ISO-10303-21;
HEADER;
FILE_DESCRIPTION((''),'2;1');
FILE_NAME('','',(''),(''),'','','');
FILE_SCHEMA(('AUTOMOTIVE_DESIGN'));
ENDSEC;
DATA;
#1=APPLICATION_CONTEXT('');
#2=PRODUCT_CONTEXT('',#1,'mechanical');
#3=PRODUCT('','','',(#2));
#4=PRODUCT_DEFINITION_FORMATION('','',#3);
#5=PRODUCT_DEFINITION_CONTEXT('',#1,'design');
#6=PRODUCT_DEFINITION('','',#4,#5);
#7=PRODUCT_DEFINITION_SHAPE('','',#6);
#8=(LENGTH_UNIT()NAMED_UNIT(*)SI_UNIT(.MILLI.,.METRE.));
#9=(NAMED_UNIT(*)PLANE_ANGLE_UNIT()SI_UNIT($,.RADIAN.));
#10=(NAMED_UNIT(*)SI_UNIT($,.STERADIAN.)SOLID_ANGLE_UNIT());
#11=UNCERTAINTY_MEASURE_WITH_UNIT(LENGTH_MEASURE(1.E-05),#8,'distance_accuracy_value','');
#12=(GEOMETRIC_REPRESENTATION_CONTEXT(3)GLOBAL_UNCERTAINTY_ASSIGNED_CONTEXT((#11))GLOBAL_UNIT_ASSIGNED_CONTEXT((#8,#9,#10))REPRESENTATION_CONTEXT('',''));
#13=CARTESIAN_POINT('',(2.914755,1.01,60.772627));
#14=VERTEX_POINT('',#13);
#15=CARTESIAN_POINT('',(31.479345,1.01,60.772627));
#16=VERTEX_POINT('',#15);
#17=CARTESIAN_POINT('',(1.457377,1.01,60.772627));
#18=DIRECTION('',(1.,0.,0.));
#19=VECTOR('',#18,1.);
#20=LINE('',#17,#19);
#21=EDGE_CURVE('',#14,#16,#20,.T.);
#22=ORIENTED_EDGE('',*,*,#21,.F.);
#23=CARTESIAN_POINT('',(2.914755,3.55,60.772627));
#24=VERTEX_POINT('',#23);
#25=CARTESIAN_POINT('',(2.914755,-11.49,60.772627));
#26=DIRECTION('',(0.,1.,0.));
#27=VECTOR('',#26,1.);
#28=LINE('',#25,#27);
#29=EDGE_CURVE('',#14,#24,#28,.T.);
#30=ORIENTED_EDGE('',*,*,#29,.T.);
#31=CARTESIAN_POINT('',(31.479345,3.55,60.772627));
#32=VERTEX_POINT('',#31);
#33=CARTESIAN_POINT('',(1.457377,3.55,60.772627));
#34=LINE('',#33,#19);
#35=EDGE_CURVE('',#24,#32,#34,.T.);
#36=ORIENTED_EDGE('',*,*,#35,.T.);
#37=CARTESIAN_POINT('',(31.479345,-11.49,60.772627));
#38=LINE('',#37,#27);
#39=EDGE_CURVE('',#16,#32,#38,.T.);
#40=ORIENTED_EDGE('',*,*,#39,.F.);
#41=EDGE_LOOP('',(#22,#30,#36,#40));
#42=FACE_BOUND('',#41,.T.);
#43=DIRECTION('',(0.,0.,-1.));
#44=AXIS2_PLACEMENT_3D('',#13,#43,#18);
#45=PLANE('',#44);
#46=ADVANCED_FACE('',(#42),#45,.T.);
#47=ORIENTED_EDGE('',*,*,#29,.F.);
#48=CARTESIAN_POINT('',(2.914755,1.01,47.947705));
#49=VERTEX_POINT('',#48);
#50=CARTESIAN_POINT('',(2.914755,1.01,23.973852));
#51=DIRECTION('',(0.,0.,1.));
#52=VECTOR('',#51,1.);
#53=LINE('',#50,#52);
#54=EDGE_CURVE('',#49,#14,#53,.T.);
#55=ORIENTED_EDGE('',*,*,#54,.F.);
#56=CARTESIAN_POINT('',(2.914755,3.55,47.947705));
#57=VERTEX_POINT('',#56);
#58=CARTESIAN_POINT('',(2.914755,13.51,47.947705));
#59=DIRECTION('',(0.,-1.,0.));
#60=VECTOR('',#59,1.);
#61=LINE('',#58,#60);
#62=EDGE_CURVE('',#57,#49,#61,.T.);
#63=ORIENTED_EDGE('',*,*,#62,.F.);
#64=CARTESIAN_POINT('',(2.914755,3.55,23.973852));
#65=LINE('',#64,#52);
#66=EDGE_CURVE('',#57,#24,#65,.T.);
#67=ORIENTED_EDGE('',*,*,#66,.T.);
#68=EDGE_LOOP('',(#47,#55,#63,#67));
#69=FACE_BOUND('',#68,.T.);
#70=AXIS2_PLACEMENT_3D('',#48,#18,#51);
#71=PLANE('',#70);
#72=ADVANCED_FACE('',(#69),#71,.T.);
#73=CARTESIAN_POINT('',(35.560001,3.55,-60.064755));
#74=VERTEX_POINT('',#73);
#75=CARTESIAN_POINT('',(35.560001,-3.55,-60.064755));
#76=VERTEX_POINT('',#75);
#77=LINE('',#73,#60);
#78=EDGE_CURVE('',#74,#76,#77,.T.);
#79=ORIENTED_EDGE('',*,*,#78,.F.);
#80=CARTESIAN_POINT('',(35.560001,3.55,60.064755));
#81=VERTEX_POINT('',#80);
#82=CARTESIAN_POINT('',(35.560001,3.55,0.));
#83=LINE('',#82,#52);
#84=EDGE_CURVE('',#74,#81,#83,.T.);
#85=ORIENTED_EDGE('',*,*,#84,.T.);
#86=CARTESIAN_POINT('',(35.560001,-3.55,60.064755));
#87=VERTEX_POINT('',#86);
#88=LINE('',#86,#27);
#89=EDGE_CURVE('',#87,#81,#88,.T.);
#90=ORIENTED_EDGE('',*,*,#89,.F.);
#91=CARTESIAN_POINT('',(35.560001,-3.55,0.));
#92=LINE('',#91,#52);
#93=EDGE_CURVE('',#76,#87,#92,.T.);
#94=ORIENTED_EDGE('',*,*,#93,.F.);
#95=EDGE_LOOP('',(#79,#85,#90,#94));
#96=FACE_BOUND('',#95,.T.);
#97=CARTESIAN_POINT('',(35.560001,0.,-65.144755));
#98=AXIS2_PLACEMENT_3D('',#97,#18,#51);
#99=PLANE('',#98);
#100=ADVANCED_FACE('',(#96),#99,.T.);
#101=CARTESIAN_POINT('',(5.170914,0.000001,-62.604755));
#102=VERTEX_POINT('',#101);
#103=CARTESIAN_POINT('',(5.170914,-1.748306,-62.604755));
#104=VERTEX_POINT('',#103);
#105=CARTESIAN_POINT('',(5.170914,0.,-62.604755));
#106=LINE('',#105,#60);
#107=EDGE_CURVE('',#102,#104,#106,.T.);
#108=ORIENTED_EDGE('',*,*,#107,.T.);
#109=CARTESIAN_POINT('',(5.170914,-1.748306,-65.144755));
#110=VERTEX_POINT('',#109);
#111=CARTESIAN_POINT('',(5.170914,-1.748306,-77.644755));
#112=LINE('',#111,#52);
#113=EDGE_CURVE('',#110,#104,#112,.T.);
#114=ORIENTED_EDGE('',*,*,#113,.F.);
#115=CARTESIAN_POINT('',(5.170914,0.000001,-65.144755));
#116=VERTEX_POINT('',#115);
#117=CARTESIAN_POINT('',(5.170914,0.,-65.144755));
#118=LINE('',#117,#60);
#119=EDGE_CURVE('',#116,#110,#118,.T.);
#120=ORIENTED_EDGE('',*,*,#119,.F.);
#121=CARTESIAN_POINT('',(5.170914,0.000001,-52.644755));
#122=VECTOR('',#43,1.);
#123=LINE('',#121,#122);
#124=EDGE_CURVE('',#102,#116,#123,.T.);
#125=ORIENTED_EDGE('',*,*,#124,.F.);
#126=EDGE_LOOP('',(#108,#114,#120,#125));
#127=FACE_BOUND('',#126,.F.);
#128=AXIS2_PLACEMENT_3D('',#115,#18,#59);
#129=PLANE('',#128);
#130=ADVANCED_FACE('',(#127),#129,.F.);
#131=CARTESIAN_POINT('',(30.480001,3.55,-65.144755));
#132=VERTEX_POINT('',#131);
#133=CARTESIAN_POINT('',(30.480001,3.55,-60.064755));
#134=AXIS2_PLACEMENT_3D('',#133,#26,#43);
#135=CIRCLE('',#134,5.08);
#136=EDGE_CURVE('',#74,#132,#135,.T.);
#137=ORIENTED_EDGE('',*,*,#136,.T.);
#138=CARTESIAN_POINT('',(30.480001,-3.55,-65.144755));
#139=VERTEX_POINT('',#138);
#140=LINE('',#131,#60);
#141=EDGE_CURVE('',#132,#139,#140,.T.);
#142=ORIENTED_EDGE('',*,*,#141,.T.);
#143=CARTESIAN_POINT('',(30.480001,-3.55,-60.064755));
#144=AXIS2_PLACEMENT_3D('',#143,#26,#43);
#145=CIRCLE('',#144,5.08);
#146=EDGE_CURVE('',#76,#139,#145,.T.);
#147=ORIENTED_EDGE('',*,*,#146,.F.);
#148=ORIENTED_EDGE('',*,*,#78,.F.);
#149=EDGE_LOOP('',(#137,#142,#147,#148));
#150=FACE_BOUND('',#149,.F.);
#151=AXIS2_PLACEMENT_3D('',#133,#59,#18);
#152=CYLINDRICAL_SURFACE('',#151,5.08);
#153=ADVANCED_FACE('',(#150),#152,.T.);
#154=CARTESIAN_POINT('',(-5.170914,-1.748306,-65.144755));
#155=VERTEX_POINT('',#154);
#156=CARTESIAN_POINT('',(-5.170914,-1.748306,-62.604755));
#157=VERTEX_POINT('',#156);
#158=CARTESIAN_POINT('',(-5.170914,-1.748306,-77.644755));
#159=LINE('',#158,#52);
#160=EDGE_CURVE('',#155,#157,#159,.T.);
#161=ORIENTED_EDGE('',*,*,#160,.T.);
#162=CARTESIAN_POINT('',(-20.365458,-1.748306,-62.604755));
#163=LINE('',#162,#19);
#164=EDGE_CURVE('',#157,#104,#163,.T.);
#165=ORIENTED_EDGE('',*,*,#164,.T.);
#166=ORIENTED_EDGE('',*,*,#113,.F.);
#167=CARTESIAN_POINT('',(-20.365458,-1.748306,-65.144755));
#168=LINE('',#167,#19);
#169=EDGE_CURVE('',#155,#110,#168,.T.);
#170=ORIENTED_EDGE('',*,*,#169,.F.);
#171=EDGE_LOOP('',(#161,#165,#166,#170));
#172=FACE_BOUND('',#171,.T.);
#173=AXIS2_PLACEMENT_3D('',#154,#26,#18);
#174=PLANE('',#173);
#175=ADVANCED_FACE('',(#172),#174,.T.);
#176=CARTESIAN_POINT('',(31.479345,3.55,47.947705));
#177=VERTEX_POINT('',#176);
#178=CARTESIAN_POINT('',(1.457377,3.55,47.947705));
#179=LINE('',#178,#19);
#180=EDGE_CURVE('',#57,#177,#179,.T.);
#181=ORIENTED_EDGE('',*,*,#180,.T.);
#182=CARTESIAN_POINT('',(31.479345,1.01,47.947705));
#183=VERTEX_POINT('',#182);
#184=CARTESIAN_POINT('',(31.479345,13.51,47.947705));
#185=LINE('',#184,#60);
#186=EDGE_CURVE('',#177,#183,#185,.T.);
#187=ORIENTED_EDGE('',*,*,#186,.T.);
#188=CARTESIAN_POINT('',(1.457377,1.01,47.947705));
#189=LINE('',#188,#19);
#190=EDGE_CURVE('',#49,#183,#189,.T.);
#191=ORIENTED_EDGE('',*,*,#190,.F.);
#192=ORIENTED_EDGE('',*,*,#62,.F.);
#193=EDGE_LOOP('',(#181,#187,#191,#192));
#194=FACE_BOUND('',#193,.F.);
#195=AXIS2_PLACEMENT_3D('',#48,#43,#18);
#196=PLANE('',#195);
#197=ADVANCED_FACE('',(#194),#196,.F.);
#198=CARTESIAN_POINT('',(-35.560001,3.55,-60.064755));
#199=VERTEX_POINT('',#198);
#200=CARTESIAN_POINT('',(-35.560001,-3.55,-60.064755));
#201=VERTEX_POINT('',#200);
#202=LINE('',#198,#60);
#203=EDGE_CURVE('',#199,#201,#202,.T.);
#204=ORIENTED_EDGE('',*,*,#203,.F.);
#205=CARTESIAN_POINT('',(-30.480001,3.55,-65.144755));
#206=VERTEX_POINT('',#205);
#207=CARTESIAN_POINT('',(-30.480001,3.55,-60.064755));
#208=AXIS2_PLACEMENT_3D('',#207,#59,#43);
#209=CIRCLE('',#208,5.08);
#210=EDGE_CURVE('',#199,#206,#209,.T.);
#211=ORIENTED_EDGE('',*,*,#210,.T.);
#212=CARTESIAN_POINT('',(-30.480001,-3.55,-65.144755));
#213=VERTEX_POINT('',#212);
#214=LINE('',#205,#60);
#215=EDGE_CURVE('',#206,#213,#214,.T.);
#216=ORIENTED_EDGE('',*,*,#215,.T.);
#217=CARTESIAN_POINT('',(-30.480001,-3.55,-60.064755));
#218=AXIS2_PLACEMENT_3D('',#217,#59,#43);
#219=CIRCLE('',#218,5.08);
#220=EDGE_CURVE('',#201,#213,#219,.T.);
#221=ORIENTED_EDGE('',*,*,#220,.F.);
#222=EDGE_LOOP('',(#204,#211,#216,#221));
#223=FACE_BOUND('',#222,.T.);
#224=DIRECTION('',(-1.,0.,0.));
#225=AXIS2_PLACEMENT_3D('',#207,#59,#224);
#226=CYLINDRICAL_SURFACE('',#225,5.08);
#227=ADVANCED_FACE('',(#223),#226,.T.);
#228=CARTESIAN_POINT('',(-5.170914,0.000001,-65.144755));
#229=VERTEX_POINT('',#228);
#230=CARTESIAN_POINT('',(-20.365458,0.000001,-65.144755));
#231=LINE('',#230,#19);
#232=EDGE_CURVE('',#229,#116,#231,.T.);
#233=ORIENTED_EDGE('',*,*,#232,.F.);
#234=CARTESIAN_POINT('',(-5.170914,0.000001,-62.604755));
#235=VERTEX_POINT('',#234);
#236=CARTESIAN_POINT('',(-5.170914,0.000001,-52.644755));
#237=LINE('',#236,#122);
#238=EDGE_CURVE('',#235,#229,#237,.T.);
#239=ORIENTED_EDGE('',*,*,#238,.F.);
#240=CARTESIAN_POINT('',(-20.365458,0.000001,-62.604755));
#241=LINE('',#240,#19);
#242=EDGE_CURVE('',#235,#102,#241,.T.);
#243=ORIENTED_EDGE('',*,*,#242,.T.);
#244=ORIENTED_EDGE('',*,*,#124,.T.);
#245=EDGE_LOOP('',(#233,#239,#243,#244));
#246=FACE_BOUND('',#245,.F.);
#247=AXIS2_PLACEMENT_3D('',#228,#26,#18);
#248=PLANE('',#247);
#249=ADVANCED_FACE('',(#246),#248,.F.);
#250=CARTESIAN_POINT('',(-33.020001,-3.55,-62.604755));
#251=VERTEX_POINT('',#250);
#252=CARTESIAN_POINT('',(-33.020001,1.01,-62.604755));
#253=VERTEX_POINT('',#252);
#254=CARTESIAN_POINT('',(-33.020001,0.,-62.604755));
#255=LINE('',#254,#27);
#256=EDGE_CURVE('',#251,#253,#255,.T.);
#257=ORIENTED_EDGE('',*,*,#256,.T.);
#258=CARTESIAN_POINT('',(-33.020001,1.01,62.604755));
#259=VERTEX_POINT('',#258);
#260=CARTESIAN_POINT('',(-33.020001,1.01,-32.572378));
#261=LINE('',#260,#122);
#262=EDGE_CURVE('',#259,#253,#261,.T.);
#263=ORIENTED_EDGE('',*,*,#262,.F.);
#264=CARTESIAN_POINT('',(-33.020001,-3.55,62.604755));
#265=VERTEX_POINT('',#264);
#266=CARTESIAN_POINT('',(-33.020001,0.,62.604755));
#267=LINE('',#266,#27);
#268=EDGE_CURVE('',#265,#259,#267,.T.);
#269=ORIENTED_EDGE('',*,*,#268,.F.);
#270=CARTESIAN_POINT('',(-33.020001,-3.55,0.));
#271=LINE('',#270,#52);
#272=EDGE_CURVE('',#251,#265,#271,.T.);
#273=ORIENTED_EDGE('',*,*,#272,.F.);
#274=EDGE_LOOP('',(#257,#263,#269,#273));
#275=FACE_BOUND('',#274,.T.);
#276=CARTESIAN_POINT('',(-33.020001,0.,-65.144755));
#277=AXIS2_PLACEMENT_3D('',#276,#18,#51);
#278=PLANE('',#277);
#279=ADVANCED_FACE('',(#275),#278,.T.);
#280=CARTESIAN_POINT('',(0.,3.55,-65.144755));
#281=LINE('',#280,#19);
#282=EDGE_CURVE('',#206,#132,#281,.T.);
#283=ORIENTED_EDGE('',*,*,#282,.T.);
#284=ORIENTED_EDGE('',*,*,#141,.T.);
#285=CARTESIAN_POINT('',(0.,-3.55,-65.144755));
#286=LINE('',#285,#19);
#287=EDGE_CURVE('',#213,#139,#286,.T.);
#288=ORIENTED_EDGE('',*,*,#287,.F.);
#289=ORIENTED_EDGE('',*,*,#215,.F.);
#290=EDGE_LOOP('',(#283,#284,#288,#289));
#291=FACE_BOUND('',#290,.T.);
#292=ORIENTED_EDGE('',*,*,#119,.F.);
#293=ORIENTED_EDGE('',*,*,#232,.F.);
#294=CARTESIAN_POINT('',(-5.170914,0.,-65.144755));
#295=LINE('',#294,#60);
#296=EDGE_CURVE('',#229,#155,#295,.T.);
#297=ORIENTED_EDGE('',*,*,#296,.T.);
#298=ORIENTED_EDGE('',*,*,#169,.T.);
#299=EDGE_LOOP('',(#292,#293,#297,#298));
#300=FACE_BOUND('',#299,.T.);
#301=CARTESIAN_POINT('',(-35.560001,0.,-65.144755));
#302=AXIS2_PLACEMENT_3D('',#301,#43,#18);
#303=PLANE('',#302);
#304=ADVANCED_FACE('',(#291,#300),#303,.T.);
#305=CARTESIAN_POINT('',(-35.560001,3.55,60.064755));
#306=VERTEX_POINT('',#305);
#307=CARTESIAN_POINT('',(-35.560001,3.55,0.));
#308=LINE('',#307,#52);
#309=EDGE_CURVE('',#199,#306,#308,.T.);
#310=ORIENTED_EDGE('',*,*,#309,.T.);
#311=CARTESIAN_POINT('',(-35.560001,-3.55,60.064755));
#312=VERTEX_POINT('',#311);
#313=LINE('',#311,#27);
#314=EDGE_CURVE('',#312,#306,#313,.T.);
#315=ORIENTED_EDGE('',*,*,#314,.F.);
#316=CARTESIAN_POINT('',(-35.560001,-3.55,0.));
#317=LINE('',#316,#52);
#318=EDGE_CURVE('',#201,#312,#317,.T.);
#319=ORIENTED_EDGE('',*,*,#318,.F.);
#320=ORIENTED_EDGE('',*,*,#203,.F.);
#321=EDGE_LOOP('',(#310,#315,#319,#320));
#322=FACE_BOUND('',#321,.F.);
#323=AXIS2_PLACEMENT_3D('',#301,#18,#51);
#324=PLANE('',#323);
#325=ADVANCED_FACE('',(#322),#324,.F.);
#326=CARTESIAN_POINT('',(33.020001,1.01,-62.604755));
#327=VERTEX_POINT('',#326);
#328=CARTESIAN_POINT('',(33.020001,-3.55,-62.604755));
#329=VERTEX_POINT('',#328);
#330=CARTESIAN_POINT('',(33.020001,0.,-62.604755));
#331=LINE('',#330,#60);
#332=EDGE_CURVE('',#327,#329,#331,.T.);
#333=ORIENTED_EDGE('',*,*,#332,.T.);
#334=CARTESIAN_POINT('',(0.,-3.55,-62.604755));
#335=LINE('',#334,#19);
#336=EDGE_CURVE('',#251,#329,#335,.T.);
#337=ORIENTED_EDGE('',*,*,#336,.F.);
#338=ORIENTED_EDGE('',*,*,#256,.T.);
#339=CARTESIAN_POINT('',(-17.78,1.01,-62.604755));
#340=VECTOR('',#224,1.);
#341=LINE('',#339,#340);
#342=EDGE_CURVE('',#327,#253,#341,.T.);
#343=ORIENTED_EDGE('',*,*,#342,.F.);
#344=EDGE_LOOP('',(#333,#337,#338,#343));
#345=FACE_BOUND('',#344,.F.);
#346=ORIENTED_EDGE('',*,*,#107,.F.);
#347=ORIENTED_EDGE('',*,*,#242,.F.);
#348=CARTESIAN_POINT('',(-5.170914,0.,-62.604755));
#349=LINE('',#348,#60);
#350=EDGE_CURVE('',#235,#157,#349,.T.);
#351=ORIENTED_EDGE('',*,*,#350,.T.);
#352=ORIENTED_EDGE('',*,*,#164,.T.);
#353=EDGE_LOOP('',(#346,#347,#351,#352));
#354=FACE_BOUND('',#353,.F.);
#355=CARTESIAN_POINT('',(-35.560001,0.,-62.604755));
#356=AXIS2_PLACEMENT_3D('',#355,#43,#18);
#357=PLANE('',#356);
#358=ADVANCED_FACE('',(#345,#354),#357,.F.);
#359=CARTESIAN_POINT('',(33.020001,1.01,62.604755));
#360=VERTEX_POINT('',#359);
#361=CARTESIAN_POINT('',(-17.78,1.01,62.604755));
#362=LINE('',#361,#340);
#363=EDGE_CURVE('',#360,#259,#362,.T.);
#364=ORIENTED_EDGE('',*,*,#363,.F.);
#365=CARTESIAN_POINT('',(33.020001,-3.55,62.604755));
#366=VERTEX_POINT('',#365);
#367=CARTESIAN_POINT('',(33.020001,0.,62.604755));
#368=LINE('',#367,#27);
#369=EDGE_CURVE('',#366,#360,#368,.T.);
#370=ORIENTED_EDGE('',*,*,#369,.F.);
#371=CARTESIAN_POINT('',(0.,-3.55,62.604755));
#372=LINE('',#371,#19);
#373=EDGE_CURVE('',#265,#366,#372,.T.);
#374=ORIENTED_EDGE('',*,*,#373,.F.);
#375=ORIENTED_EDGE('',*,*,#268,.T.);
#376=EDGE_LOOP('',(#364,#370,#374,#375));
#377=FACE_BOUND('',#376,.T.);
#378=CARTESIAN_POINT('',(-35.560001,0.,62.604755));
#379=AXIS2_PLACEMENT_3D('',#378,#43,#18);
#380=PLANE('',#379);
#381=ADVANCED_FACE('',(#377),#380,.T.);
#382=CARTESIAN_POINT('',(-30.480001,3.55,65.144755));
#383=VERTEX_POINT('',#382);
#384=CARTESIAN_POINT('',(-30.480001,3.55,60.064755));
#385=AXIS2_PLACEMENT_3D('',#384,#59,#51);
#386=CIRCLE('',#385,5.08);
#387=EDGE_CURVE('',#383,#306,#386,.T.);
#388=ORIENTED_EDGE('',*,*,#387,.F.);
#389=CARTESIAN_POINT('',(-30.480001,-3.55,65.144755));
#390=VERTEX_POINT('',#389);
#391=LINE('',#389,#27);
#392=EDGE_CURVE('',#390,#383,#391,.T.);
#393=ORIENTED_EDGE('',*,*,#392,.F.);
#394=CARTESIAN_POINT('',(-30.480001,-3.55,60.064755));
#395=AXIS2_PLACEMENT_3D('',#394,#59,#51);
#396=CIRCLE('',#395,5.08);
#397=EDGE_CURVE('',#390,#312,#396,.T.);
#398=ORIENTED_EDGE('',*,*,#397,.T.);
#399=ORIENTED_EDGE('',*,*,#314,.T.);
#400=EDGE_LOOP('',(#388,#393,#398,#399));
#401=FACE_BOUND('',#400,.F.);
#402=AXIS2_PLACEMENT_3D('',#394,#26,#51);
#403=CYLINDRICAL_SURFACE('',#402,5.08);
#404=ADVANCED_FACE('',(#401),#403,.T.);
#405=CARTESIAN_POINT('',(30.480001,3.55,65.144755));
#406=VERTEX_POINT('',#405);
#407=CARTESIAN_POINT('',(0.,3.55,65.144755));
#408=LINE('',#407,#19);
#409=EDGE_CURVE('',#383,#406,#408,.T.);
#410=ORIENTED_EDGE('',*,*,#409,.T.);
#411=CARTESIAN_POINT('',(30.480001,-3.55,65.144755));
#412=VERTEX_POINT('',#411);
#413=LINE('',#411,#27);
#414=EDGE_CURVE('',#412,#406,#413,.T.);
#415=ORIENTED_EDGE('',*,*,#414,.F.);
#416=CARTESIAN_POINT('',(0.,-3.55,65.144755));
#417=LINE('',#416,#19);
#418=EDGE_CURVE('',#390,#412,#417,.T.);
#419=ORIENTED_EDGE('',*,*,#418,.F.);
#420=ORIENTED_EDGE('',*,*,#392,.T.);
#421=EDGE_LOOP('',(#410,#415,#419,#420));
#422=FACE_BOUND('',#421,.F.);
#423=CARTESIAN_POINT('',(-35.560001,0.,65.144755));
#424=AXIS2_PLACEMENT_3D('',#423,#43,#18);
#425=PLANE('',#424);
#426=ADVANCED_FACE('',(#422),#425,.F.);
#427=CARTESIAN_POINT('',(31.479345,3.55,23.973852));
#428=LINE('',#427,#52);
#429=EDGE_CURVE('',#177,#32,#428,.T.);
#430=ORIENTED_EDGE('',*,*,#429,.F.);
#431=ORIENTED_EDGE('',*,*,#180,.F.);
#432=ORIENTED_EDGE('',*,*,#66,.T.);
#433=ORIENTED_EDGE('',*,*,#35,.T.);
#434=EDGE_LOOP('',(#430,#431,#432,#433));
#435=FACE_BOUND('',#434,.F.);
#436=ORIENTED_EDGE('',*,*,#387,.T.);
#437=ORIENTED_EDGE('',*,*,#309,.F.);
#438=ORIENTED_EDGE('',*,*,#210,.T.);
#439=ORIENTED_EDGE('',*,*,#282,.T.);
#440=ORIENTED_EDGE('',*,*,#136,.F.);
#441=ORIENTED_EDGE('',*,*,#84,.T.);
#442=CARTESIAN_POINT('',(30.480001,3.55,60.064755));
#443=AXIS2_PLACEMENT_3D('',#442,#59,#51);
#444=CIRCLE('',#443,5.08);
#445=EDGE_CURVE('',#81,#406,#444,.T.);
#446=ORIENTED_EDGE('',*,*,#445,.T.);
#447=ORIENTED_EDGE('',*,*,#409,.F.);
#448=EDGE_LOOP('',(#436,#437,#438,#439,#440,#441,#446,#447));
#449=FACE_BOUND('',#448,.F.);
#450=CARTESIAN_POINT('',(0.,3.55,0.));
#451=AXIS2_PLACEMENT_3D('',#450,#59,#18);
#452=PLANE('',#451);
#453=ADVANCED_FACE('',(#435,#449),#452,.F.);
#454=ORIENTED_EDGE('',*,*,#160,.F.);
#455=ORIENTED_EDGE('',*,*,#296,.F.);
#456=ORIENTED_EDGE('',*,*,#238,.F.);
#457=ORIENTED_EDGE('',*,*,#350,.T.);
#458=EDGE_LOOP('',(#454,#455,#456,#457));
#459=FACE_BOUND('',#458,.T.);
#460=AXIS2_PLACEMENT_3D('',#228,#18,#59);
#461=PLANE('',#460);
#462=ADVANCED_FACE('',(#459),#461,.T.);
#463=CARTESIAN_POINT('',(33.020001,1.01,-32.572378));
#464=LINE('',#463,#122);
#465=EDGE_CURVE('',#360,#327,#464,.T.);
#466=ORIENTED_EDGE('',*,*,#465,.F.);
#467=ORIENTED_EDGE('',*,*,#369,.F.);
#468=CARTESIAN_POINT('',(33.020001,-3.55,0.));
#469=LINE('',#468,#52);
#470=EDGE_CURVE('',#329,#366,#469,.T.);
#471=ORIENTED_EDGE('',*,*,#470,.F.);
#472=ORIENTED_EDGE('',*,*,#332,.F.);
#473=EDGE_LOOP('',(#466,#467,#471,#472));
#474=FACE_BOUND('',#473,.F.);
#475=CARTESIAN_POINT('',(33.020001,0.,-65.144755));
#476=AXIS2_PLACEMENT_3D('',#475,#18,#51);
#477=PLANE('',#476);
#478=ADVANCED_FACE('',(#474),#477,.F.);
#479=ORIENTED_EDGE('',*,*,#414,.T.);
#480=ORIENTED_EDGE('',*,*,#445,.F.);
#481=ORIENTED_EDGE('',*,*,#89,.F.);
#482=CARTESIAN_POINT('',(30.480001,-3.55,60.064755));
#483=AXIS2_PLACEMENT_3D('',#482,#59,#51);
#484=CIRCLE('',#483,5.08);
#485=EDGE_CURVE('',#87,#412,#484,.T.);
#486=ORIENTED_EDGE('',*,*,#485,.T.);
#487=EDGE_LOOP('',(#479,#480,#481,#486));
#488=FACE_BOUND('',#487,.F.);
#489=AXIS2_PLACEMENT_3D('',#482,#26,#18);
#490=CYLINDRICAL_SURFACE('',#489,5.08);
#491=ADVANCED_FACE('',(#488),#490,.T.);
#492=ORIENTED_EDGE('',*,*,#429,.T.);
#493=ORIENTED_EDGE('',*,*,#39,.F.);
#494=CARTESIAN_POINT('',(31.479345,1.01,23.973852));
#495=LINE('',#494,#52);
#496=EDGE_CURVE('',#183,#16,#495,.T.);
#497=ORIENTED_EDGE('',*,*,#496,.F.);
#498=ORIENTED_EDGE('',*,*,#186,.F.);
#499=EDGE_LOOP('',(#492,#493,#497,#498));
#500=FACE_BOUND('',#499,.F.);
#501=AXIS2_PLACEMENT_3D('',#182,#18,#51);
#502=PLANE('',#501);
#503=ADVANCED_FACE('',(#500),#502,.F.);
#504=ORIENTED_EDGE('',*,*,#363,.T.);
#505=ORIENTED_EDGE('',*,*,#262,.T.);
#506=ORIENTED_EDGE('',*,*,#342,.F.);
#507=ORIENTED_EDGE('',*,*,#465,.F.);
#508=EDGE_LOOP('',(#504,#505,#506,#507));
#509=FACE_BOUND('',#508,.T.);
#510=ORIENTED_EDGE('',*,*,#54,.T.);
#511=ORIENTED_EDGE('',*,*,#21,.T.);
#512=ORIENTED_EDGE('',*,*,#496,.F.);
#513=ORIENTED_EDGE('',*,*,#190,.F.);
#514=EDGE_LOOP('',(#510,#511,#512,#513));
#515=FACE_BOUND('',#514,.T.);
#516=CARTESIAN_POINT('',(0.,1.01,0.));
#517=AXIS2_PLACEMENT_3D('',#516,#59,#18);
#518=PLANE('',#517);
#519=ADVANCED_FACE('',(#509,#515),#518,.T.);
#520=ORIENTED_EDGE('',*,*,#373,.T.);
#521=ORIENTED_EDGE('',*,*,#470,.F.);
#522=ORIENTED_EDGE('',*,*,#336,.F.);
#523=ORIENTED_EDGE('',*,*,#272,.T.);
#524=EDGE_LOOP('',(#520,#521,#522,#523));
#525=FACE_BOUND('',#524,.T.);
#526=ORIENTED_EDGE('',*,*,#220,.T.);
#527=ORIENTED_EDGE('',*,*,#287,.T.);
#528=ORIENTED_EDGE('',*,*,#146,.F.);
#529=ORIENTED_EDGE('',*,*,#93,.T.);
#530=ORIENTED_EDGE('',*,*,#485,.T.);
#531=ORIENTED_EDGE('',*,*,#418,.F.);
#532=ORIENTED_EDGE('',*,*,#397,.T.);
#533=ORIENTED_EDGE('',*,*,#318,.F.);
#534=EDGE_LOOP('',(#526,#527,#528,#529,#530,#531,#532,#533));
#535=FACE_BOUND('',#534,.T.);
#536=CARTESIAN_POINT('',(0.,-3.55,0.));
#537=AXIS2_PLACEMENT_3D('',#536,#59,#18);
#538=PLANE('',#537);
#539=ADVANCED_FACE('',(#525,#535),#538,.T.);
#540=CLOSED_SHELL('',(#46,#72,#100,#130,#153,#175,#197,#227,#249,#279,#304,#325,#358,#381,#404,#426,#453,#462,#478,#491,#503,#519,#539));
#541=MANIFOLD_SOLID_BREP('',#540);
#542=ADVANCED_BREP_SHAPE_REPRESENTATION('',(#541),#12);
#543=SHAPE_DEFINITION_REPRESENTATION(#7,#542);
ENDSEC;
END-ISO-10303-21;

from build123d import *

# Parameters (mm, degrees)
F0_W     = 71.120002
F0_H     = 130.28951
F1_DEPTH = 3.55
F2_T     = -2.54
F3_R     = 5.08
F4_W     = 28.56459
F4_H     = 12.824923
F5_DEPTH = 12.5
F6_W     = 10.341828
F6_H     = 1.748307
F7_DEPTH = 12.5


with BuildPart() as f1:
    # F0 (on Front) → F1 (new body, symmetric)
    with BuildSketch(Plane.XZ):
        Rectangle(F0_W, F0_H)
    extrude(amount=F1_DEPTH, both=True)

    # F2
    f2_openings = [f1.faces().sort_by_distance(p)[0] for p in [
        (0, -3.55, 0),
    ]]
    offset(amount=F2_T, openings=f2_openings)

    # F3
    f3_edges = [f1.edges().sort_by_distance(p)[0] for p in [
        (35.560001, 0, 65.144755),
        (-35.560001, 0, 65.144755),
        (35.560001, 0, -65.144755),
        (-35.560001, 0, -65.144755),
    ]]
    fillet(f3_edges, radius=F3_R)

    # F4 (on face) → F5 (cut, symmetric)
    with BuildSketch(Plane.XZ.offset(-1.01)):
        with Locations((17.19705, 54.360166)):
            Rectangle(F4_W, F4_H)
    extrude(amount=F5_DEPTH, both=True, mode=Mode.SUBTRACT)

    # F6 (on face) → F7 (cut, symmetric)
    with BuildSketch(Plane(origin=(0, 0, -65.144755), x_dir=(1, 0, 0), z_dir=(0, 0, -1))):
        with Locations((0, 0.874153)):
            Rectangle(F6_W, F6_H)
    extrude(amount=F7_DEPTH, both=True, mode=Mode.SUBTRACT)


solid = f1.part
